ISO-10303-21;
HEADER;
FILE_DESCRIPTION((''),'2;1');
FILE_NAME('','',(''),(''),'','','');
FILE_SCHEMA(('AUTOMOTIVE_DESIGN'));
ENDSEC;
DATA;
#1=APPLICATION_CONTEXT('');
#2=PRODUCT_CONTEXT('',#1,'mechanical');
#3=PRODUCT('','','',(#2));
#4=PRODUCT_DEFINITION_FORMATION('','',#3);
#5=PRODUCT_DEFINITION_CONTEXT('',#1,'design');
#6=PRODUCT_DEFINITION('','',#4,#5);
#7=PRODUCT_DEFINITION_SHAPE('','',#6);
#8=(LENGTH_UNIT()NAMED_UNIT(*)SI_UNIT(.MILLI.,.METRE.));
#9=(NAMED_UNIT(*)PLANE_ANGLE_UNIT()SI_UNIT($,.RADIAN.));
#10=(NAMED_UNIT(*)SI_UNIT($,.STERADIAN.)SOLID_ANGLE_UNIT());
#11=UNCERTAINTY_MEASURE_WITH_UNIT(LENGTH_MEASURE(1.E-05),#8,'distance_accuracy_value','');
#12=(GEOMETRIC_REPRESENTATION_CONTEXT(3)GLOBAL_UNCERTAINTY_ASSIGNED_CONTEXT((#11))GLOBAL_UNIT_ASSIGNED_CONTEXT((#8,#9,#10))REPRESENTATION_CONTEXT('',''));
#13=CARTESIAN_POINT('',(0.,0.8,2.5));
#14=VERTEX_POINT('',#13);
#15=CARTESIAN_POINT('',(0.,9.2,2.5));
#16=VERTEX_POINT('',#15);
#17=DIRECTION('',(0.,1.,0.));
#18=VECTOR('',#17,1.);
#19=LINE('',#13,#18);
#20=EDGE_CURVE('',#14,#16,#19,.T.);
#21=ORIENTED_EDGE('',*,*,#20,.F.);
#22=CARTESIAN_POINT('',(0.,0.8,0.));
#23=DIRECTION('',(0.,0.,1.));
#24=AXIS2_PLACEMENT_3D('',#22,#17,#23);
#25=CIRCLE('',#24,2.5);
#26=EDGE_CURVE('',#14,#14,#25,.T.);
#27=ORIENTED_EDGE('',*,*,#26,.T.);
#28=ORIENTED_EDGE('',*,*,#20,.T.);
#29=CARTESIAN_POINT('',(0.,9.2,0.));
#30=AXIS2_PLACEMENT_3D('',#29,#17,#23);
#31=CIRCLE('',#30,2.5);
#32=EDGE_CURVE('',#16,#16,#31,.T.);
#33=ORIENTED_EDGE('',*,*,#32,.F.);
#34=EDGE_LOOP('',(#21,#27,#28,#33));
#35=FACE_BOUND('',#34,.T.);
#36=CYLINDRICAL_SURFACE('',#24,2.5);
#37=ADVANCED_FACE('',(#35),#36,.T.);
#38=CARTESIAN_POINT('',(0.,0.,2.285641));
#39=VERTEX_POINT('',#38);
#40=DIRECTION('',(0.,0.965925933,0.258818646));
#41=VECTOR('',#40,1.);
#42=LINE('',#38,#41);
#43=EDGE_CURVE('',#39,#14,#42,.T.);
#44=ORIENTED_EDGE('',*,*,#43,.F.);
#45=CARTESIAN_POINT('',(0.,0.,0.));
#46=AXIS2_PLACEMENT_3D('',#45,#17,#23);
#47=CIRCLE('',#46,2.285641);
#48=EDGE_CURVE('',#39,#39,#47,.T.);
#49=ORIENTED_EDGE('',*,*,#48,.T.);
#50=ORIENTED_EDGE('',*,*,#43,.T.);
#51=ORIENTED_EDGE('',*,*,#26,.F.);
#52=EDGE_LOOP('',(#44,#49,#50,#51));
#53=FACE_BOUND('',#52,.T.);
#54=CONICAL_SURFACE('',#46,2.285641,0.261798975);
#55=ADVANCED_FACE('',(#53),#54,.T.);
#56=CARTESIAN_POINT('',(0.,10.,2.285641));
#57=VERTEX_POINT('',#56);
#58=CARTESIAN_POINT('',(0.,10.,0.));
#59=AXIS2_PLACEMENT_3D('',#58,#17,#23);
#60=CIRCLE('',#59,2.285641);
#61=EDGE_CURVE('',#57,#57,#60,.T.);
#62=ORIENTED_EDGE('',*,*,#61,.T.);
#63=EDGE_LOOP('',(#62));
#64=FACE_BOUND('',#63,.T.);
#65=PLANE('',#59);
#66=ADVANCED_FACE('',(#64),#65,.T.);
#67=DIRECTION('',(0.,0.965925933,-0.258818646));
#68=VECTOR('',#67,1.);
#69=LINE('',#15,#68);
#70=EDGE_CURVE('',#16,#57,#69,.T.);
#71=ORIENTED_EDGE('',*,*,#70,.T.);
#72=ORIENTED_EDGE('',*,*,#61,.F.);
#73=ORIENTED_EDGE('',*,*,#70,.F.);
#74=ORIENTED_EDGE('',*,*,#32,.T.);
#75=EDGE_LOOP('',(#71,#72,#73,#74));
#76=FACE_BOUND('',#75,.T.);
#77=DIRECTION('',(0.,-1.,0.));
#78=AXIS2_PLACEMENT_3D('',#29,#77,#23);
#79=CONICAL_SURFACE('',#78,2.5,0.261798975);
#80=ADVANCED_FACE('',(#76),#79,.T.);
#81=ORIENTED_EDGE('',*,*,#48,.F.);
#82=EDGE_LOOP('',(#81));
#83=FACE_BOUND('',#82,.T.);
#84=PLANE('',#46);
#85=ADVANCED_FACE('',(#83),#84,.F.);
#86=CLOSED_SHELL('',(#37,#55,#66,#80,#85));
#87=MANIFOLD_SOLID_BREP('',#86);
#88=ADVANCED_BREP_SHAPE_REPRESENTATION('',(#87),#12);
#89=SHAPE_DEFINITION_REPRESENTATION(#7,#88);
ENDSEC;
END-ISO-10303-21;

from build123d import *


with BuildPart() as part:
    # Sketch → Revolution (revolve)
    with BuildSketch(Plane.YZ):
        Polygon((0, 0), (0, 2.285641), (0.8, 2.5), (9.2, 2.5), (10, 2.285641), (10, 0), align=None)
    revolve(axis=Axis((0, 0, 0), (0, 1, 0)))


solid = part.part
